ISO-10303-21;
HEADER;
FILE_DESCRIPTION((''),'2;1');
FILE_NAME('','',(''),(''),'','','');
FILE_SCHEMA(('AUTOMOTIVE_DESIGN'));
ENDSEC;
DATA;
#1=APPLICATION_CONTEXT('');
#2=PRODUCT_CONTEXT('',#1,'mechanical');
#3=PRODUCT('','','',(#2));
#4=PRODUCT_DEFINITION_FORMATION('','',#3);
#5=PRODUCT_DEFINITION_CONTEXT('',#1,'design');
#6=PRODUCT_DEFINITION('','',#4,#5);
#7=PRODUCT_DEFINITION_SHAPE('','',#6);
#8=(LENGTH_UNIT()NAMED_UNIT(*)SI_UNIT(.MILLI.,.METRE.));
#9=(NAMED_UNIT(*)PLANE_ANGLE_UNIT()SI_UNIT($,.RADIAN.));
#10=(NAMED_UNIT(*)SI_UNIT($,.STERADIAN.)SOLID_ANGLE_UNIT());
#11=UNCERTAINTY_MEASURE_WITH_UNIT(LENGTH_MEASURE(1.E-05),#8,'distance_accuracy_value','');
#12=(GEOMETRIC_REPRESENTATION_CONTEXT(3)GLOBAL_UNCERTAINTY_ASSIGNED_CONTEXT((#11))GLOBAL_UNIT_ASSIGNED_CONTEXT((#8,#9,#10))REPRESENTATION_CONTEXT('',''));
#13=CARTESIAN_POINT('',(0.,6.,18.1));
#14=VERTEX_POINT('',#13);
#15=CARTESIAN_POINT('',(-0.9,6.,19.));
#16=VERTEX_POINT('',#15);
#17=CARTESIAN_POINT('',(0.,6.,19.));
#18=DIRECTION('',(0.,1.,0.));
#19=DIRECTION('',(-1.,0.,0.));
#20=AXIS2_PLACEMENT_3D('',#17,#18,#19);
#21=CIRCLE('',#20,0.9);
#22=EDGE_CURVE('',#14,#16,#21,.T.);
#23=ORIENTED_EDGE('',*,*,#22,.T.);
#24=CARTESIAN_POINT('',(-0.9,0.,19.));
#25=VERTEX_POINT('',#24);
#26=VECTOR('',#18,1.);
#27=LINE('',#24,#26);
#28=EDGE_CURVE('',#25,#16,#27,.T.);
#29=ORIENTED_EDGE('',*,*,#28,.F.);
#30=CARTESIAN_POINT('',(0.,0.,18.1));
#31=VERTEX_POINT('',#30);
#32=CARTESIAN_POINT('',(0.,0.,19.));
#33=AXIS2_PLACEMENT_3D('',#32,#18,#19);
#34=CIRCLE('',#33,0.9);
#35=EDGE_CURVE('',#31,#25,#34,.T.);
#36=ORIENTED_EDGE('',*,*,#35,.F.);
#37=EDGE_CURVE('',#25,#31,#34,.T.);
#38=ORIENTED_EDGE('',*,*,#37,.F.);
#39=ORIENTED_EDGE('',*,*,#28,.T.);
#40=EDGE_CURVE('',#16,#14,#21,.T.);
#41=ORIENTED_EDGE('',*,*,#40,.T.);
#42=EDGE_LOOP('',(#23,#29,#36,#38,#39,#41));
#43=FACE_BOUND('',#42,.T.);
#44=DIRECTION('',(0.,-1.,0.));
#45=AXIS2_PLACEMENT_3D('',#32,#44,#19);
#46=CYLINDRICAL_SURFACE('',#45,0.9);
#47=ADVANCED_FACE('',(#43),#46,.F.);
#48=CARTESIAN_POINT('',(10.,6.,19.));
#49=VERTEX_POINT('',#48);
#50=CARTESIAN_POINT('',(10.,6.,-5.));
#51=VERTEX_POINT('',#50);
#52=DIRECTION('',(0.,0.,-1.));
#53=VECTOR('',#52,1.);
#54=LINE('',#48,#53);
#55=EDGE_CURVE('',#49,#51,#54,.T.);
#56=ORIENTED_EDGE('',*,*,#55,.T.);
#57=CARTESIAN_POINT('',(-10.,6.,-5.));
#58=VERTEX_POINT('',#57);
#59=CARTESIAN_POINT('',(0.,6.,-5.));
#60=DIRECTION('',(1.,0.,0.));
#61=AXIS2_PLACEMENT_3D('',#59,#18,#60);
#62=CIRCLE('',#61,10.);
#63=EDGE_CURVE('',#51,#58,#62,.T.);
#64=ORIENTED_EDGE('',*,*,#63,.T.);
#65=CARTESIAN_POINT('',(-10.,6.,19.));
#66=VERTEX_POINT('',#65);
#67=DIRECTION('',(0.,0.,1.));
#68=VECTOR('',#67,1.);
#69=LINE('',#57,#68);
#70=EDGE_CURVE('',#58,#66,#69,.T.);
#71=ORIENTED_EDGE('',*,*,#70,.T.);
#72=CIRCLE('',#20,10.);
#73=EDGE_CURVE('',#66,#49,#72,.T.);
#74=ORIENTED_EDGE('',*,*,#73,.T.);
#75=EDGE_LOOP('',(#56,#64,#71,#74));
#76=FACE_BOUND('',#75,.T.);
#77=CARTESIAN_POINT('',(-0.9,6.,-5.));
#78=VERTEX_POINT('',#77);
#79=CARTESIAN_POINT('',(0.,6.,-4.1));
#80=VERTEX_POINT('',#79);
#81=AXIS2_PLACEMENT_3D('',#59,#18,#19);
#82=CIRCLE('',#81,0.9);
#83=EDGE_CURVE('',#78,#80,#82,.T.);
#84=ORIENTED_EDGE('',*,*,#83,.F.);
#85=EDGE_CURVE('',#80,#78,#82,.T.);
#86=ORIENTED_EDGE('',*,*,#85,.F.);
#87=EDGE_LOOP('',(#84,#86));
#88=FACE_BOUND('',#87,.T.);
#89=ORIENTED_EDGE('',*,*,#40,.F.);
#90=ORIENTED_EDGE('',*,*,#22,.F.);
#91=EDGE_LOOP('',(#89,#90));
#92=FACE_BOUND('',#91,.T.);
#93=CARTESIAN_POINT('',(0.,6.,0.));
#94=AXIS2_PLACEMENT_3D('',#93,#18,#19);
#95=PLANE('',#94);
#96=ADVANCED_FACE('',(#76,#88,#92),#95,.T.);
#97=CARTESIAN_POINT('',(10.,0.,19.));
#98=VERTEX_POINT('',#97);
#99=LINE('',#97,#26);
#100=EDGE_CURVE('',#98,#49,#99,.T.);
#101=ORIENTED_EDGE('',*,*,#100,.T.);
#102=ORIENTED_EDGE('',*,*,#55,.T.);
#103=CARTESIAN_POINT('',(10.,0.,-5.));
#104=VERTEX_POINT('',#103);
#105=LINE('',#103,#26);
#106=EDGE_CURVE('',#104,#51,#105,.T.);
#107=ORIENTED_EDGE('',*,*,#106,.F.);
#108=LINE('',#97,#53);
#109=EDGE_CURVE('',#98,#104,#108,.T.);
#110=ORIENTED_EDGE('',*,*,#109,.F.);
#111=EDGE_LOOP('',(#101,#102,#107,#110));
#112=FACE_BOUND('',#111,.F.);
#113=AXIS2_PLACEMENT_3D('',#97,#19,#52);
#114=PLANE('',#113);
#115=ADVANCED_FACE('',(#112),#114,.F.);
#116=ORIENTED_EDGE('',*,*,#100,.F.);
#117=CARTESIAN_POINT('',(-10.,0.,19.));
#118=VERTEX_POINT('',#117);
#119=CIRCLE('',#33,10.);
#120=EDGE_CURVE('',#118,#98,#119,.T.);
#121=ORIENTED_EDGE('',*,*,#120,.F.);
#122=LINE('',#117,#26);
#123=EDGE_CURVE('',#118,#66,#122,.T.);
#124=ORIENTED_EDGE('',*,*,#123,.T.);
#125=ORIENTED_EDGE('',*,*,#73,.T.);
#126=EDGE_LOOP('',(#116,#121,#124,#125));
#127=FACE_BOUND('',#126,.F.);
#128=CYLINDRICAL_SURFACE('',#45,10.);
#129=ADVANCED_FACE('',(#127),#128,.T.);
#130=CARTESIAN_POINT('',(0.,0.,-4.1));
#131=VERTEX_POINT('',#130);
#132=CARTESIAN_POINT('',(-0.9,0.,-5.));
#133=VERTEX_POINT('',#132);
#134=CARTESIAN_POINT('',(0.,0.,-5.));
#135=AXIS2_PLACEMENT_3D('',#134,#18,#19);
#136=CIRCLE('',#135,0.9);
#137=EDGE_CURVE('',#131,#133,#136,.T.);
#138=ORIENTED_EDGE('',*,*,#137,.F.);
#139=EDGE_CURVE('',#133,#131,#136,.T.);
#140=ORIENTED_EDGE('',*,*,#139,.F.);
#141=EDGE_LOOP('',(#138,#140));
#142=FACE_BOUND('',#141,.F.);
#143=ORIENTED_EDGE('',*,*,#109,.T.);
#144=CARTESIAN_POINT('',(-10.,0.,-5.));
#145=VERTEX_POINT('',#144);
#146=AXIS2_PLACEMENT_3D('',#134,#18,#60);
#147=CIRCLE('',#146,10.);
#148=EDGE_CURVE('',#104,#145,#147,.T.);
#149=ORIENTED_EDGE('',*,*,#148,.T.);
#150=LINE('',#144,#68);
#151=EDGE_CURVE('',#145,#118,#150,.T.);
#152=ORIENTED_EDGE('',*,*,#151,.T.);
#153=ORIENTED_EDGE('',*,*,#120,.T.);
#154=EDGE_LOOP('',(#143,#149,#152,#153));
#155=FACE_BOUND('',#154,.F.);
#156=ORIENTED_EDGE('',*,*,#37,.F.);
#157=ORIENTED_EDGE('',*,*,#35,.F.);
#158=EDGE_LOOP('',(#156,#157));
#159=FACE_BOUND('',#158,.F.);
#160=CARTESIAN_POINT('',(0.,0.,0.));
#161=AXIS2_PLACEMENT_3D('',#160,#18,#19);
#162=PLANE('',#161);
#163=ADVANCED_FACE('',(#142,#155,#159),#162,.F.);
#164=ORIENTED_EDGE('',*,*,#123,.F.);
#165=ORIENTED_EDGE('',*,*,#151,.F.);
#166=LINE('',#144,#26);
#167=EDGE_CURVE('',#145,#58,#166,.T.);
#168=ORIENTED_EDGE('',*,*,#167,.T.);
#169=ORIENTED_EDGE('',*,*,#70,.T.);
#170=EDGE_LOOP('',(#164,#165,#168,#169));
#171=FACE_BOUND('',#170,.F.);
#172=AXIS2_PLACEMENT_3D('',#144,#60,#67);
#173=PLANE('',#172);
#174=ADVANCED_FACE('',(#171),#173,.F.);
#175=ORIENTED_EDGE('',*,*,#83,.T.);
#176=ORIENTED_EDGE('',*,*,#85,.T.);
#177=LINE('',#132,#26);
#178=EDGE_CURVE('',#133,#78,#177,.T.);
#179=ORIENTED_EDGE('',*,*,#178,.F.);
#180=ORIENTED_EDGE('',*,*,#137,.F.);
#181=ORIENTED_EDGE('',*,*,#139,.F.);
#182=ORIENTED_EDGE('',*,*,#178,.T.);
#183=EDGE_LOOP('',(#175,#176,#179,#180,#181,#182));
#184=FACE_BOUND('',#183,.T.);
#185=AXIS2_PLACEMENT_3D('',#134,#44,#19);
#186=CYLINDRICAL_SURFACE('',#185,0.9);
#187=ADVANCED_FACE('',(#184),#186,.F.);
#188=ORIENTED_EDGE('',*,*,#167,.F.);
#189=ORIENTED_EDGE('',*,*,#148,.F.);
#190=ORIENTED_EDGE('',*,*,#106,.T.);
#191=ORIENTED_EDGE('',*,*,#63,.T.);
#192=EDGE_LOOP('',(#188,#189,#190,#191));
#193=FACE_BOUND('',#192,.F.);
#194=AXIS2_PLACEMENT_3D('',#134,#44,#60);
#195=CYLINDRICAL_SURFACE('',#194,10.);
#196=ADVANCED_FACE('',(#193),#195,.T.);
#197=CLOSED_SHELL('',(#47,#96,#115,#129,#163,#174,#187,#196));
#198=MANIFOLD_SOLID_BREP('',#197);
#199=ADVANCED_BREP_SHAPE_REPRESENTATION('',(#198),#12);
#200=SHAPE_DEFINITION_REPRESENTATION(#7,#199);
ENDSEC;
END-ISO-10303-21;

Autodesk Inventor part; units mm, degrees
ref_plane "YZ Plane" through (0, 0, 0) normal (1, 0, 0) x (0, 1, 0)
ref_plane "XZ Plane" through (0, 0, 0) normal (0, 1, 0) x (-1, 0, 0)
ref_plane "XY Plane" through (0, 0, 0) normal (0, 0, 1) x (1, 0, 0)
sketch "Sketch1" plane through (0, 0, 0) normal (0, 1, 0) x (-1, 0, 0)
  line L0 (0, 0) -> (-5.6352, 0)
  line L1 (-5.6352, 0) -> (0, 0)
  line L2 (0, 0) -> (0, 8.7024)
  line L3 (6.5, 14) -> (-6.5, 14)
  line L4 (-6.5, 14) -> (-6.5, 0)
  line L5 (-6.5, 0) -> (6.5, 0)
  line L6 (6.5, 0) -> (6.5, 14)
  circle A0 centre (0, -5) radius 0.9
  circle A1 centre (0, 19) radius 0.9
  line L7 (0, 19) -> (0, -5)
  line L8 (0, 19) -> (0, -5) construction
  line L9 (-10, 19) -> (-10, -5)
  line L10 (10, -5) -> (10, 19)
  arc A2 (10, 19) -> (-10, 19) centre (0, 19) ccw
  arc A3 (-10, -5) -> (10, -5) centre (0, -5) ccw
  point P0 (0, -8.7024)
  point P1 (0, 7)
  dimension "d25" = 13
  dimension "d26" = 14
  dimension "d30" = 5
  dimension "d31" = 5
  dimension "d32" = 1.8
  dimension "d33" = 20
extrude "Extrusion1" add sketch "Sketch1" along normal blind 6 contours L0 L5 L4 L3 L7 L2 | L2 L7 L3 L6 L5 | A2 L10 A3 L9
properties part number "case_usb_cap" material "Acrylic, Clear"
